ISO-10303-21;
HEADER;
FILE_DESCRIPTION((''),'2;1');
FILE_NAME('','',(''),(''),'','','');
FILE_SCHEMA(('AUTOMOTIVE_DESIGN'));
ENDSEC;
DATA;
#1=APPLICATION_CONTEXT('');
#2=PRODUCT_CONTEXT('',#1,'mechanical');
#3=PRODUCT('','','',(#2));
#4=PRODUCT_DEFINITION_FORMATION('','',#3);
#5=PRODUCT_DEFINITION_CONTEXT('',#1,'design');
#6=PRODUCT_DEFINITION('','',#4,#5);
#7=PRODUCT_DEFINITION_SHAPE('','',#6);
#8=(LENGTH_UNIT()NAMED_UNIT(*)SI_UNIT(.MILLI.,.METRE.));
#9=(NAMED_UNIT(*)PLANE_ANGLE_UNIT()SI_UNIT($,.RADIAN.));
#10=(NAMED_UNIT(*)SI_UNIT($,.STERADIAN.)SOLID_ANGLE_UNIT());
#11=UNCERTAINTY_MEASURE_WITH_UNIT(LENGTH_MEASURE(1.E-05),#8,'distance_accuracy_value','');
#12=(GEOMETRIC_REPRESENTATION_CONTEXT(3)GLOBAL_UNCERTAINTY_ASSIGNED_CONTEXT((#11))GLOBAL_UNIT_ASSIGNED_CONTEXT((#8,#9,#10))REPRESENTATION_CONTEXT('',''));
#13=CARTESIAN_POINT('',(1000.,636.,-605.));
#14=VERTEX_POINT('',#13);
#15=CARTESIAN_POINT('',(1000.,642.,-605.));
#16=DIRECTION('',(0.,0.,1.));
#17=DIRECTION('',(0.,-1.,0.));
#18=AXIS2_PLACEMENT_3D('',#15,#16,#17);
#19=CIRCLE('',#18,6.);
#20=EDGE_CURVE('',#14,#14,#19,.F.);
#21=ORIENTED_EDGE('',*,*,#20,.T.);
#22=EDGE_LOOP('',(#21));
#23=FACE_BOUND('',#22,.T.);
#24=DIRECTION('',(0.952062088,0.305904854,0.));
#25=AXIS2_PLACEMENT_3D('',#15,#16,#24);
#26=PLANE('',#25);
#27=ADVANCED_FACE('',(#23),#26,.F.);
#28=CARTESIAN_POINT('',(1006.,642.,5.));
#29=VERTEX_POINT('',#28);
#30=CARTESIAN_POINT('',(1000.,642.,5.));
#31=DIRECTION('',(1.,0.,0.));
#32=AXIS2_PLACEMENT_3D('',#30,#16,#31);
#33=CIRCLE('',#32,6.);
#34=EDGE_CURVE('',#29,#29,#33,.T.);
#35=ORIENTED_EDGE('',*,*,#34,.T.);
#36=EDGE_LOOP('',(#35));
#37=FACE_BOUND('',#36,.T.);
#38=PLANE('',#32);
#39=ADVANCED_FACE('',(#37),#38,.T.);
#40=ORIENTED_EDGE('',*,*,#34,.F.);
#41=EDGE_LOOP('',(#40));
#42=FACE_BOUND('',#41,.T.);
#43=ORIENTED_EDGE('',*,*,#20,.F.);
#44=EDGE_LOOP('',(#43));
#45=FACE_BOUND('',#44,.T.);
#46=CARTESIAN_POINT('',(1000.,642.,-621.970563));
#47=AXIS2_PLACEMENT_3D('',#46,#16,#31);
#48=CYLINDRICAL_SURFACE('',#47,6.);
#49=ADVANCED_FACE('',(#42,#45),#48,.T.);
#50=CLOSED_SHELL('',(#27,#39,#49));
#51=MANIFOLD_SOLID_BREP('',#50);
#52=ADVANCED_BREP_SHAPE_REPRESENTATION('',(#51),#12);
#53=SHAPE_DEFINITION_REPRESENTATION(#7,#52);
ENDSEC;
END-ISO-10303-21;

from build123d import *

# Parameters (mm, degrees)
SKETCH1_R           = 6
BOSS_EXTRUDE1_DEPTH = 610


with BuildPart() as part:
    # Sketch1 → Boss-Extrude1 (new body)
    with BuildSketch(Plane.XY.offset(5)):
        with Locations((1000, 642)):
            Circle(SKETCH1_R)
    extrude(amount=-BOSS_EXTRUDE1_DEPTH)


solid = part.part
